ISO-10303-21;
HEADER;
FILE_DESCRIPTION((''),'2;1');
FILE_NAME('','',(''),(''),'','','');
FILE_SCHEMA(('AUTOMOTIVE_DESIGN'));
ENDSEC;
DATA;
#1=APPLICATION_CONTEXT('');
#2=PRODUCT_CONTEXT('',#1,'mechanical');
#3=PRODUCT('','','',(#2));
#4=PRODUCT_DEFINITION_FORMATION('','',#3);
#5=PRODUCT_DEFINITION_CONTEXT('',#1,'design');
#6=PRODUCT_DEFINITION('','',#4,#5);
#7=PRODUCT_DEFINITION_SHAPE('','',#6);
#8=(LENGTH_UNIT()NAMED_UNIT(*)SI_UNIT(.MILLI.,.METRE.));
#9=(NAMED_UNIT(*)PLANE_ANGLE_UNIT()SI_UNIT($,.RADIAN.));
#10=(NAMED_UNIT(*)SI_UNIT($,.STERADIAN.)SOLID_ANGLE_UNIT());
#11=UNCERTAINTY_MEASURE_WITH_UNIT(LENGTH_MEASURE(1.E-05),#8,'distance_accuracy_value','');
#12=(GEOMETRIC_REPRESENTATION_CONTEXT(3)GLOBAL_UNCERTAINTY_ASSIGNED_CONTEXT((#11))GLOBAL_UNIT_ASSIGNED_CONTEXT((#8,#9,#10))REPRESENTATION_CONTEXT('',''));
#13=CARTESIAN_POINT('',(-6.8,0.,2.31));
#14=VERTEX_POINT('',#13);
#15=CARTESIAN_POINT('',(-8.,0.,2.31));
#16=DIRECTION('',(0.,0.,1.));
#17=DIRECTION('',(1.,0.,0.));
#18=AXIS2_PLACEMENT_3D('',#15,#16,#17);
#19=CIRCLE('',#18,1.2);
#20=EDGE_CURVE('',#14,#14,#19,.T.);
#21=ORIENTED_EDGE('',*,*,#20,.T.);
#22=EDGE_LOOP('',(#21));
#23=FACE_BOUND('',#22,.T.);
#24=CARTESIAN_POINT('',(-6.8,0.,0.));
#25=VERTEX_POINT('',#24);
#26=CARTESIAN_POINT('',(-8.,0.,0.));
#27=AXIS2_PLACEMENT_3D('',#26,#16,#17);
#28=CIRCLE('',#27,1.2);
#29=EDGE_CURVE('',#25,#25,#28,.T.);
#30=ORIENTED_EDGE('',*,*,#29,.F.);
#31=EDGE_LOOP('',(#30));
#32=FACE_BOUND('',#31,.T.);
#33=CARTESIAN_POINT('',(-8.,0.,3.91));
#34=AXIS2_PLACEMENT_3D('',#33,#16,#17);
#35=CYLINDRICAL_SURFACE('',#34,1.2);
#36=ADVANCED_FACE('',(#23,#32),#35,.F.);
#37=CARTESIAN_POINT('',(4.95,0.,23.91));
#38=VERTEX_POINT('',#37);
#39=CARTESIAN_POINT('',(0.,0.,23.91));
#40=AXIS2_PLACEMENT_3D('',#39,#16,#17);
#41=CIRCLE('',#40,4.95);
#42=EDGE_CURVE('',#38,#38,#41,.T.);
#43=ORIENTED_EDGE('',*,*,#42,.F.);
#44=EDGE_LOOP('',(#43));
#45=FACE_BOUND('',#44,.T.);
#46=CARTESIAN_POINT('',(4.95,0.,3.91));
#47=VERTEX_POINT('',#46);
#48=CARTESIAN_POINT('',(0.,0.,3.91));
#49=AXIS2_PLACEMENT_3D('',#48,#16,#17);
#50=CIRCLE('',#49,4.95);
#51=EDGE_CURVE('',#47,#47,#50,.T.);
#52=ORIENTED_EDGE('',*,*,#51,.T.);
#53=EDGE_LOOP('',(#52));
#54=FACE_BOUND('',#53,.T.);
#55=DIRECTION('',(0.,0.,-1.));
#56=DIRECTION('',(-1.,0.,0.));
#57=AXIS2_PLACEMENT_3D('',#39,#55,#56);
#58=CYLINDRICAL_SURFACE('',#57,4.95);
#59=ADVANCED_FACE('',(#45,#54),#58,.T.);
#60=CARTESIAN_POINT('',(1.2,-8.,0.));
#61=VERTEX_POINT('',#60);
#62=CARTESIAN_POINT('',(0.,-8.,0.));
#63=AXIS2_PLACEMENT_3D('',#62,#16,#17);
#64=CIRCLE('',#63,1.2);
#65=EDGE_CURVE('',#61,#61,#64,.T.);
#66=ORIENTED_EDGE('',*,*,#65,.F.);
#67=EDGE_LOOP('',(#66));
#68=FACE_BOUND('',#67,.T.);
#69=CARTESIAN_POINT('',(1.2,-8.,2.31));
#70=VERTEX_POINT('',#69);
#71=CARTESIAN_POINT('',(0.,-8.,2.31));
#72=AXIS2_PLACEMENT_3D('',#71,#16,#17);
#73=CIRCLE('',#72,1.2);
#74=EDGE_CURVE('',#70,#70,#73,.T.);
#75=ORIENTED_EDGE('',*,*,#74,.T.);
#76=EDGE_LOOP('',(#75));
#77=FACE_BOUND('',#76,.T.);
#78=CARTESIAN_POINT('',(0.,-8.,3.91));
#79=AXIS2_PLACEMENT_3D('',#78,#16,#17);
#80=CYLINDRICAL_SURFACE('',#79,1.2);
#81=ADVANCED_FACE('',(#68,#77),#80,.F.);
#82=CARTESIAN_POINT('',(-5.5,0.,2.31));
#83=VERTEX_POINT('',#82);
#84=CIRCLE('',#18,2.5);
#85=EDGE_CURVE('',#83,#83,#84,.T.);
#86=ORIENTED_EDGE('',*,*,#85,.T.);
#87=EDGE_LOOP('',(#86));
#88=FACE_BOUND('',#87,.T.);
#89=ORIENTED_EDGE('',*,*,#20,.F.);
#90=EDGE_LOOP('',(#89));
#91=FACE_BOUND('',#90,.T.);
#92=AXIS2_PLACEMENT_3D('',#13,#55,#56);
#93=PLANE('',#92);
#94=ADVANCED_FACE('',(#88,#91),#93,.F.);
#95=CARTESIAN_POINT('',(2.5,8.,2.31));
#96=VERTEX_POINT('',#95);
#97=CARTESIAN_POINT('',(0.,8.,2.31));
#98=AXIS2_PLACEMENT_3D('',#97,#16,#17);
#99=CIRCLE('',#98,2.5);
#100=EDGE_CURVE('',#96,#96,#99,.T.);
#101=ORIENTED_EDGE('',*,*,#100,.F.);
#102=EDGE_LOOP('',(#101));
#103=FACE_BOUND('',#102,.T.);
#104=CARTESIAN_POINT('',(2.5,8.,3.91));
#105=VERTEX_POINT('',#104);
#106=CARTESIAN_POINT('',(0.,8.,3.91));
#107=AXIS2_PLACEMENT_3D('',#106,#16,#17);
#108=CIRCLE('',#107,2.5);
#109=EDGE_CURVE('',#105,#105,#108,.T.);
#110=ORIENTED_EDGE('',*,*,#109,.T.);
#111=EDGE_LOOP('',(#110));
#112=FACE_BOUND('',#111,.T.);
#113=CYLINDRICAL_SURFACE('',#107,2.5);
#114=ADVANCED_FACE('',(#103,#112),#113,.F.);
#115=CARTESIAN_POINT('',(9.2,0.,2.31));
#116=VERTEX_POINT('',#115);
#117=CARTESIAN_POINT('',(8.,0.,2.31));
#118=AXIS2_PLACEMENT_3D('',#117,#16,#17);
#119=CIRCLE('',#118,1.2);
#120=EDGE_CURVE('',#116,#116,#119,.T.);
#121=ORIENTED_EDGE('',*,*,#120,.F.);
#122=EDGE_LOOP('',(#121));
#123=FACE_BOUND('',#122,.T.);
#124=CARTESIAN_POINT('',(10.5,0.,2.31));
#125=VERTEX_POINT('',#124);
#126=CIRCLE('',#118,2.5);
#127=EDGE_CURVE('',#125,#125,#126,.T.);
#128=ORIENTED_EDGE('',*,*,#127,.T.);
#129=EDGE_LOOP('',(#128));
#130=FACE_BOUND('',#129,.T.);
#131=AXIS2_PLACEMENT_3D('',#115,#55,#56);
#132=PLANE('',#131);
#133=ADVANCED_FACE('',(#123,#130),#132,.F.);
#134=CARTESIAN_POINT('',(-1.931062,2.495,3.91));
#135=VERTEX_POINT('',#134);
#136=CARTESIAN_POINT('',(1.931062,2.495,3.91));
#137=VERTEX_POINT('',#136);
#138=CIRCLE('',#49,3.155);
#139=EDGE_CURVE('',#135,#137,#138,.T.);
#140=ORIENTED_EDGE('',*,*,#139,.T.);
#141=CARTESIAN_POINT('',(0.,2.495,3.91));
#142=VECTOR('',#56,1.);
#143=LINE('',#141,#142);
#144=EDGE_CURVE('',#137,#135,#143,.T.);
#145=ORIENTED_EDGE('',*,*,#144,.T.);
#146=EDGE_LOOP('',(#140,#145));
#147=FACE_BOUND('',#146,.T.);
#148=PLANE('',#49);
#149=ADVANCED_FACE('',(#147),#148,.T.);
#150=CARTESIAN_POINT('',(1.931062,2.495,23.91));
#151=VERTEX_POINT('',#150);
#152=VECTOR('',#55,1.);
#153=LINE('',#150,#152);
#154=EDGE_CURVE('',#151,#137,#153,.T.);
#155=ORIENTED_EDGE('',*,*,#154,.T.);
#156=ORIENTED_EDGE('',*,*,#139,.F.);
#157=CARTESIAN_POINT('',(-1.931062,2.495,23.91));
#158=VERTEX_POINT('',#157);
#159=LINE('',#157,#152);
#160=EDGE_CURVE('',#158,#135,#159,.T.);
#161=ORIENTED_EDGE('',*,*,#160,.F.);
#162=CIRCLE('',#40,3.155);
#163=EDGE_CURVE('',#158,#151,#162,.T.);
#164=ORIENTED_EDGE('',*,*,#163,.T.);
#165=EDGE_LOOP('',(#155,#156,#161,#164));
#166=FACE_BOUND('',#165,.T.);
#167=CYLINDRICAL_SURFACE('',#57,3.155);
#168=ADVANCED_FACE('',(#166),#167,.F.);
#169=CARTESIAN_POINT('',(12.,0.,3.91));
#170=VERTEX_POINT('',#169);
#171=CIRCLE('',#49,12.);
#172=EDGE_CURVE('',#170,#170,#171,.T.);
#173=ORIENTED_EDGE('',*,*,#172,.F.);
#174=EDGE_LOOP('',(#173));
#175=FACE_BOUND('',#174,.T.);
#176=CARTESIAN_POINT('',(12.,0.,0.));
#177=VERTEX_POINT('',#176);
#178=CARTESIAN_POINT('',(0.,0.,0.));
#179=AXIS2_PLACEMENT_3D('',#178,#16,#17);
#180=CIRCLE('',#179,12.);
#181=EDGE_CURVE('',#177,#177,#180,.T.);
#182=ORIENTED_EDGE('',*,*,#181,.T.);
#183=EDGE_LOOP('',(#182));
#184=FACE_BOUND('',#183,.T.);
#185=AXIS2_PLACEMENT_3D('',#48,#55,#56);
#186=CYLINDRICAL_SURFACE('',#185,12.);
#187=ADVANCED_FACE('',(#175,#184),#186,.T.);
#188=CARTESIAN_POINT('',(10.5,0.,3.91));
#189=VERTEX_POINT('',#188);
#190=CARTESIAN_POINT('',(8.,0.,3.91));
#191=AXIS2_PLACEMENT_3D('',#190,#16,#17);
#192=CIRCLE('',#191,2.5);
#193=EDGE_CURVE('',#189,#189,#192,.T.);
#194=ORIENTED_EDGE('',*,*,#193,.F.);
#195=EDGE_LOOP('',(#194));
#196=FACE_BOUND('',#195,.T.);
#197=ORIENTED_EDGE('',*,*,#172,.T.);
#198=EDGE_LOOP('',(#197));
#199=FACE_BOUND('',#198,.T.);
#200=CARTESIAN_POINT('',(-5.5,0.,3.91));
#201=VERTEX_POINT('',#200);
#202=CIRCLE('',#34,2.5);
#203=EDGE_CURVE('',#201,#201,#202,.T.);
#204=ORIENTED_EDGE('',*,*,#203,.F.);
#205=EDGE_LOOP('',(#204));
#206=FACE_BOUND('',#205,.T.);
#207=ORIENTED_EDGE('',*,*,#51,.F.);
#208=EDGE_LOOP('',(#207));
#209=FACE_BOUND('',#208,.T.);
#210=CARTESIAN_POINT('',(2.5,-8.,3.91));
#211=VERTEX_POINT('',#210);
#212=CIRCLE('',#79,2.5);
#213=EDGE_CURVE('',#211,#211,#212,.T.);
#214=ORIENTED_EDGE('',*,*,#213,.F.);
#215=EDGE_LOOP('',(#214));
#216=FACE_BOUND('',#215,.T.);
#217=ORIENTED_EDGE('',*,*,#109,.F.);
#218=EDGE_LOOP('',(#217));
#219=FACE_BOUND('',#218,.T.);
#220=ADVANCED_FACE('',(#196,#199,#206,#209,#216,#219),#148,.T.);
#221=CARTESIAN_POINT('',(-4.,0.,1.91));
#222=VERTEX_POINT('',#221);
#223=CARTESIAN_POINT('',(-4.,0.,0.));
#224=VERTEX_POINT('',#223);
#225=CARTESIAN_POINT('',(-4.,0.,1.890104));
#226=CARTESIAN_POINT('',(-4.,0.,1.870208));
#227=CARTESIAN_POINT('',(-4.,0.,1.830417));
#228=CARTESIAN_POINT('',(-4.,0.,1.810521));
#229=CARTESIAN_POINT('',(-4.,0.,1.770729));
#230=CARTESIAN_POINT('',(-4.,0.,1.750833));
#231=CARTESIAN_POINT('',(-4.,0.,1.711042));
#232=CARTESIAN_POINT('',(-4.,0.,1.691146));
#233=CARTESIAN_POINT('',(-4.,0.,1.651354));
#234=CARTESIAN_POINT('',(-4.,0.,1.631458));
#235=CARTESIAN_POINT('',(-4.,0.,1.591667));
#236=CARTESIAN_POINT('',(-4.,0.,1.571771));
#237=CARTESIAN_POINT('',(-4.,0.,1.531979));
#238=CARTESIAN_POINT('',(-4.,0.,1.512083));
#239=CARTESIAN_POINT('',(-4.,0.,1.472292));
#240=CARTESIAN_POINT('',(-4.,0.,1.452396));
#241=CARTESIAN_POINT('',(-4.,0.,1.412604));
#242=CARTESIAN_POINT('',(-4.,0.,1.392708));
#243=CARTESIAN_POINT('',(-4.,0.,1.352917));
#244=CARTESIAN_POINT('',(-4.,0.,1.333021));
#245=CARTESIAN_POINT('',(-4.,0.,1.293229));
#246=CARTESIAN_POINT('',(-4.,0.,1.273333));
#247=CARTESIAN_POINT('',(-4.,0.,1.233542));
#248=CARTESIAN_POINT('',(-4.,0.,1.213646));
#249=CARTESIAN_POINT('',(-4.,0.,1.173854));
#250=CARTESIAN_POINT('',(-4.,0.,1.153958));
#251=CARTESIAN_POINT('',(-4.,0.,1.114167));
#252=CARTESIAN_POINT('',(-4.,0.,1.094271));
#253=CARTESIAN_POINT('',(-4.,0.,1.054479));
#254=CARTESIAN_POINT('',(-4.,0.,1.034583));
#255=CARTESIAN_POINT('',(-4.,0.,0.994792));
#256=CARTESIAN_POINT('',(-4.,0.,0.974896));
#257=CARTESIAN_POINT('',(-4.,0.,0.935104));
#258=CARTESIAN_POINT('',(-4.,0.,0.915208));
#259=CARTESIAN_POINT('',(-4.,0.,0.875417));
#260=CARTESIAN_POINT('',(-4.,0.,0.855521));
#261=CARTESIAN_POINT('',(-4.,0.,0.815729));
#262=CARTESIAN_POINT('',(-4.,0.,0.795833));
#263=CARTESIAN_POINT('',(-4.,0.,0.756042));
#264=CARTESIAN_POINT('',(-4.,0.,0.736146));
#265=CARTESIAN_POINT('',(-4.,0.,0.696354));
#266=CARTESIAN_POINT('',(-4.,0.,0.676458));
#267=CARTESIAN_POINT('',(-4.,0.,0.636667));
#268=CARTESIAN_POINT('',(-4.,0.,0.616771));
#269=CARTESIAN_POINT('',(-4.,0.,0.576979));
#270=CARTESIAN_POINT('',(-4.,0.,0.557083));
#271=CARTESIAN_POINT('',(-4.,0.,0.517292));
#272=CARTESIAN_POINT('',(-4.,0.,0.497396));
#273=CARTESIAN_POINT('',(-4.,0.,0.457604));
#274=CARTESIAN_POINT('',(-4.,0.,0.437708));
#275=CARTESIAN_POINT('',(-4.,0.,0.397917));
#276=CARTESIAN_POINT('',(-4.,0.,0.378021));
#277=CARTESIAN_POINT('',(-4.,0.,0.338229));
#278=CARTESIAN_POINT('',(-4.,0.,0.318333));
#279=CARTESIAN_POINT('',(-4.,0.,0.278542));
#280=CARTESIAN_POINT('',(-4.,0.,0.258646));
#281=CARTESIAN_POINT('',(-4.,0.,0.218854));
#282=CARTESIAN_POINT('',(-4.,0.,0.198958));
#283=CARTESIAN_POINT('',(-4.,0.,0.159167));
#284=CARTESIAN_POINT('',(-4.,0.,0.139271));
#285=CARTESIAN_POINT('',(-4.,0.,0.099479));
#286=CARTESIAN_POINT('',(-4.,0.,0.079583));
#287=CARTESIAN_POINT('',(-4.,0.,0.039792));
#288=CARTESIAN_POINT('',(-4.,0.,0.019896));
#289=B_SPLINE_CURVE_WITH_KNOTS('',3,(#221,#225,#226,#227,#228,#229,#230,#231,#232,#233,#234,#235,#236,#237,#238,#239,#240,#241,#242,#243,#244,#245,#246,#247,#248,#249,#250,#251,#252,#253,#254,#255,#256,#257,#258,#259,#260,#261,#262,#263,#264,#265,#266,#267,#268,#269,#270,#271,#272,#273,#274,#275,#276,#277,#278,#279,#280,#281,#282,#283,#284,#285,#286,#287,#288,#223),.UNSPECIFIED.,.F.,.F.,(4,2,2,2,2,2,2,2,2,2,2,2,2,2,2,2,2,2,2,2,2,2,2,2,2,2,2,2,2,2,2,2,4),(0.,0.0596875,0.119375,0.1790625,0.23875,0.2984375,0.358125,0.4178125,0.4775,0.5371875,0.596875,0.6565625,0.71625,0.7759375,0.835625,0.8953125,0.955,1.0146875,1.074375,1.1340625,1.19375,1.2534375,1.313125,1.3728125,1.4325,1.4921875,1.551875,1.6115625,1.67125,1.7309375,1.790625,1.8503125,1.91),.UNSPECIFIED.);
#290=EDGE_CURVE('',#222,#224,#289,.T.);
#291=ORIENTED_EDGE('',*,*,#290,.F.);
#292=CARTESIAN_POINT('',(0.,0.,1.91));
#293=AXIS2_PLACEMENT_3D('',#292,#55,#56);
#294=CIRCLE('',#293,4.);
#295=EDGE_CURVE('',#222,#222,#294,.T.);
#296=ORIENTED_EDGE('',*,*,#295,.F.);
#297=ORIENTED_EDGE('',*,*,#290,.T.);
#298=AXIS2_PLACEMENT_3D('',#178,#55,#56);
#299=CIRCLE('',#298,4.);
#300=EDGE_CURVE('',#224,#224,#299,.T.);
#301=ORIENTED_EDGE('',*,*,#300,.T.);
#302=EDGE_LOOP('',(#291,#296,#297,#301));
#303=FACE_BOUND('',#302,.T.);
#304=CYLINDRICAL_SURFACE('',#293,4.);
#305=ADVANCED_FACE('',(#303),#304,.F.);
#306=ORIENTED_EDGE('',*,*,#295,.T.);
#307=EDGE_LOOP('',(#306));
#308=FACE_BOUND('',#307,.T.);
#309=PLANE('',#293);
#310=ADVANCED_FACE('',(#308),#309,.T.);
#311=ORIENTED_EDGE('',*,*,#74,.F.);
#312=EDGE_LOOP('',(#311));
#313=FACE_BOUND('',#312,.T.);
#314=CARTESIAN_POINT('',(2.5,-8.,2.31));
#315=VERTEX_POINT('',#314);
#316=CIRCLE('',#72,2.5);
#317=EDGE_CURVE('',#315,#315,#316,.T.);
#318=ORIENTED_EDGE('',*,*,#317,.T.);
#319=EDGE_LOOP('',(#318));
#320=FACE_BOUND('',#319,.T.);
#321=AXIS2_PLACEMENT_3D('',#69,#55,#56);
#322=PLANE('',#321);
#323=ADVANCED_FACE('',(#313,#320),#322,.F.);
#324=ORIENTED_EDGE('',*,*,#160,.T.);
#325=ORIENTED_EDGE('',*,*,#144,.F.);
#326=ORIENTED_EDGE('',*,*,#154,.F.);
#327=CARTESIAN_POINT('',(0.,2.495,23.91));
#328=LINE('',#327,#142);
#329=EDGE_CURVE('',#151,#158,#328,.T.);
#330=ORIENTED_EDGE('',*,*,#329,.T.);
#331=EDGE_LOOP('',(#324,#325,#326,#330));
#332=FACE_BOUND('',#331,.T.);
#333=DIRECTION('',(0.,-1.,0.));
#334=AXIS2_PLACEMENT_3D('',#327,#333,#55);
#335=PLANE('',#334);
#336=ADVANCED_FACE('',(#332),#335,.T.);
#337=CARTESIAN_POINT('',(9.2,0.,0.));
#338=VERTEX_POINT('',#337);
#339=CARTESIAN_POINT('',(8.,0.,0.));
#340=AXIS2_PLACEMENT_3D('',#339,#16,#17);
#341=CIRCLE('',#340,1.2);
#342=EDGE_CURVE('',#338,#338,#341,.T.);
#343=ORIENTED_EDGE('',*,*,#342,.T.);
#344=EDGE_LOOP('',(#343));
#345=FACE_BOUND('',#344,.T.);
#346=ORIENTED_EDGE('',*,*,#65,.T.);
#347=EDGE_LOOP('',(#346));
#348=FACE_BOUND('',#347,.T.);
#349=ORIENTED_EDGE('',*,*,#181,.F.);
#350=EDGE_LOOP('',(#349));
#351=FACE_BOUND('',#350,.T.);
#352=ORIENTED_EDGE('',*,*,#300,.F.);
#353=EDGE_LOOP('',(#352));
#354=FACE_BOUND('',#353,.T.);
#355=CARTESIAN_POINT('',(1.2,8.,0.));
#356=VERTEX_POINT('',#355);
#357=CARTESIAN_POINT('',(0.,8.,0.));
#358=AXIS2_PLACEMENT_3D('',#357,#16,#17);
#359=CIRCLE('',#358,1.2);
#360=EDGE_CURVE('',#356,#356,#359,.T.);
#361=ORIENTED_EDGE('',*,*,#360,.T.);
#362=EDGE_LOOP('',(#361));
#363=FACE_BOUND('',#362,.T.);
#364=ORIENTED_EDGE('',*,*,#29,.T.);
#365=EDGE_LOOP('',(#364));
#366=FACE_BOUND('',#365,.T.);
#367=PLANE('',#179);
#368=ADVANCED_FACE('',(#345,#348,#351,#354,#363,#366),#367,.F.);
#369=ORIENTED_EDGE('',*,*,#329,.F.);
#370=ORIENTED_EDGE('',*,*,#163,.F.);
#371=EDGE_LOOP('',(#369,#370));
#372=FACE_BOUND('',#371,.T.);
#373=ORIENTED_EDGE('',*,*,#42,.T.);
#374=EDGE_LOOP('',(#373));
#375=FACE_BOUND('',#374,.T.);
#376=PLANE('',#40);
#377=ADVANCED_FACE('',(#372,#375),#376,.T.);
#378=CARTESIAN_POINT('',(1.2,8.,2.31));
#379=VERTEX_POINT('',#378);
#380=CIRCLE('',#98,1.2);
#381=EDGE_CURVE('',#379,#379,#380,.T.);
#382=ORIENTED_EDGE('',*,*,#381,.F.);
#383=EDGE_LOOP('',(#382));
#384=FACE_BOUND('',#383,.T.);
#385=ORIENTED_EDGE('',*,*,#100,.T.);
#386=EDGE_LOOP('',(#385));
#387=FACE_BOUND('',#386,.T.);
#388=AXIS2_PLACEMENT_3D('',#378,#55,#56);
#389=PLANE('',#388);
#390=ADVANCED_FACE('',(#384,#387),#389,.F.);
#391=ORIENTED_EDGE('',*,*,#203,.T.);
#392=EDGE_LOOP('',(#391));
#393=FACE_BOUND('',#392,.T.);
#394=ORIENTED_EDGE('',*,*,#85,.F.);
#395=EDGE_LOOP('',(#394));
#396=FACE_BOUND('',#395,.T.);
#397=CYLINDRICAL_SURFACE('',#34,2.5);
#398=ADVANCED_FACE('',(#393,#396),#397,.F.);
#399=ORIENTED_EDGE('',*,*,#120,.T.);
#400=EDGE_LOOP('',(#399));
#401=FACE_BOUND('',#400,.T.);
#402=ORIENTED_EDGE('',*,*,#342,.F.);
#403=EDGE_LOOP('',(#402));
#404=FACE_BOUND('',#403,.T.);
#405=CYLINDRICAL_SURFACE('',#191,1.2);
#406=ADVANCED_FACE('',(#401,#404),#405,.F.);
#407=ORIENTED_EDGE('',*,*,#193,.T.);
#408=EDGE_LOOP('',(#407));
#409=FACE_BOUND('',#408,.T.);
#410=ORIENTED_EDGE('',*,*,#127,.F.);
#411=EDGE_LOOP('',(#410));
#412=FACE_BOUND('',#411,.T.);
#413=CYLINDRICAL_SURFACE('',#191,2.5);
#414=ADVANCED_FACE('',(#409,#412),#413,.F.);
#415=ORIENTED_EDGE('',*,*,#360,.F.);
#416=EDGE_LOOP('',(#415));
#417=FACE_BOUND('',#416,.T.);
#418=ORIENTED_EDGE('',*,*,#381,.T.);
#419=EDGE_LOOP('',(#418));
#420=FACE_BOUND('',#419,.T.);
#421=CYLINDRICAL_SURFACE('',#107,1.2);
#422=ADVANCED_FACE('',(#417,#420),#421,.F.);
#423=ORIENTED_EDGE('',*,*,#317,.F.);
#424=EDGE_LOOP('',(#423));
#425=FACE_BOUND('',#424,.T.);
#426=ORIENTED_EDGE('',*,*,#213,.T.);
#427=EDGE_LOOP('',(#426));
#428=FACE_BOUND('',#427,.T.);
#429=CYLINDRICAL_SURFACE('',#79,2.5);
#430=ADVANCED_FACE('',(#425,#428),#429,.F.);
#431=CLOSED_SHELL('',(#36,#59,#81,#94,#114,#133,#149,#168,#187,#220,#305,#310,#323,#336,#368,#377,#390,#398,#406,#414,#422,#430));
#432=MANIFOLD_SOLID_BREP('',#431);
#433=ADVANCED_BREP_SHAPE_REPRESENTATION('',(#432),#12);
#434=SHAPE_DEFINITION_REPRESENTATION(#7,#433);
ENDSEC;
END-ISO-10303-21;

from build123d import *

# Parameters (mm, degrees)
ESQUISSE1_R                                        = 12
BOSS_EXTRU_1_DEPTH                                 = 3.91
ESQUISSE6_R                                        = 4
ENL_V_MAT_EXTRU_2_DEPTH                            = 1.91
ESQUISSE7_R                                        = 4.95
BOSS_EXTRU_2_DEPTH                                 = 20
CHAMBRAGE_POUR_VIS_T_TE_RONDE_BOMB_E_M_D           = 2.4
CHAMBRAGE_POUR_VIS_T_TE_RONDE_BOMB_E_M_CBORE_D     = 5
CHAMBRAGE_POUR_VIS_T_TE_RONDE_BOMB_E_M_CBORE_DEPTH = 1.6
R_P_TITION_CIRCULAIRE2_COUNT                       = 4


with BuildPart() as part:
    # Esquisse1 → Boss.-Extru.1 (new body)
    with BuildSketch(Plane.XY):
        Circle(ESQUISSE1_R)
    extrude(amount=BOSS_EXTRU_1_DEPTH)

    # Esquisse6 → Enlèv. mat.-Extru.2 (cut)
    with BuildSketch(Plane(origin=(0, 0, 0), x_dir=(-1, 0, 0), z_dir=(0, 0, -1))):
        Circle(ESQUISSE6_R)
    extrude(amount=-ENL_V_MAT_EXTRU_2_DEPTH, mode=Mode.SUBTRACT)

    # Esquisse7 → Boss.-Extru.2 (add)
    with BuildSketch(Plane.XY.offset(3.91)):
        Circle(ESQUISSE7_R)
        with BuildLine():
            Line((1.931061884, 2.495), (-1.931061884, 2.495))
            ThreePointArc((-1.931061884, 2.495), (0, -3.155), (1.931061884, 2.495))
        make_face(mode=Mode.SUBTRACT)
    extrude(amount=BOSS_EXTRU_2_DEPTH)

    # Chambrage pour vis à tête ronde bombée M21 (through all)
    with Locations(Plane.XY.offset(3.91)):
        with Locations((0, 8)):
            chambrage_pour_vis_t_te_ronde_bomb_e_m = CounterBoreHole(CHAMBRAGE_POUR_VIS_T_TE_RONDE_BOMB_E_M_D / 2, CHAMBRAGE_POUR_VIS_T_TE_RONDE_BOMB_E_M_CBORE_D / 2, CHAMBRAGE_POUR_VIS_T_TE_RONDE_BOMB_E_M_CBORE_DEPTH)

    # Répétition circulaire2: Chambrage pour vis à tête ronde bombée M21 ×4 about axis
    r_p_tition_circulaire2_axis = Axis((0, 0, 0), (0, 0, 1))
    for i in range(1, R_P_TITION_CIRCULAIRE2_COUNT):
        add(chambrage_pour_vis_t_te_ronde_bomb_e_m.rotate(r_p_tition_circulaire2_axis, i * 360 / R_P_TITION_CIRCULAIRE2_COUNT), mode=Mode.SUBTRACT)


solid = part.part
